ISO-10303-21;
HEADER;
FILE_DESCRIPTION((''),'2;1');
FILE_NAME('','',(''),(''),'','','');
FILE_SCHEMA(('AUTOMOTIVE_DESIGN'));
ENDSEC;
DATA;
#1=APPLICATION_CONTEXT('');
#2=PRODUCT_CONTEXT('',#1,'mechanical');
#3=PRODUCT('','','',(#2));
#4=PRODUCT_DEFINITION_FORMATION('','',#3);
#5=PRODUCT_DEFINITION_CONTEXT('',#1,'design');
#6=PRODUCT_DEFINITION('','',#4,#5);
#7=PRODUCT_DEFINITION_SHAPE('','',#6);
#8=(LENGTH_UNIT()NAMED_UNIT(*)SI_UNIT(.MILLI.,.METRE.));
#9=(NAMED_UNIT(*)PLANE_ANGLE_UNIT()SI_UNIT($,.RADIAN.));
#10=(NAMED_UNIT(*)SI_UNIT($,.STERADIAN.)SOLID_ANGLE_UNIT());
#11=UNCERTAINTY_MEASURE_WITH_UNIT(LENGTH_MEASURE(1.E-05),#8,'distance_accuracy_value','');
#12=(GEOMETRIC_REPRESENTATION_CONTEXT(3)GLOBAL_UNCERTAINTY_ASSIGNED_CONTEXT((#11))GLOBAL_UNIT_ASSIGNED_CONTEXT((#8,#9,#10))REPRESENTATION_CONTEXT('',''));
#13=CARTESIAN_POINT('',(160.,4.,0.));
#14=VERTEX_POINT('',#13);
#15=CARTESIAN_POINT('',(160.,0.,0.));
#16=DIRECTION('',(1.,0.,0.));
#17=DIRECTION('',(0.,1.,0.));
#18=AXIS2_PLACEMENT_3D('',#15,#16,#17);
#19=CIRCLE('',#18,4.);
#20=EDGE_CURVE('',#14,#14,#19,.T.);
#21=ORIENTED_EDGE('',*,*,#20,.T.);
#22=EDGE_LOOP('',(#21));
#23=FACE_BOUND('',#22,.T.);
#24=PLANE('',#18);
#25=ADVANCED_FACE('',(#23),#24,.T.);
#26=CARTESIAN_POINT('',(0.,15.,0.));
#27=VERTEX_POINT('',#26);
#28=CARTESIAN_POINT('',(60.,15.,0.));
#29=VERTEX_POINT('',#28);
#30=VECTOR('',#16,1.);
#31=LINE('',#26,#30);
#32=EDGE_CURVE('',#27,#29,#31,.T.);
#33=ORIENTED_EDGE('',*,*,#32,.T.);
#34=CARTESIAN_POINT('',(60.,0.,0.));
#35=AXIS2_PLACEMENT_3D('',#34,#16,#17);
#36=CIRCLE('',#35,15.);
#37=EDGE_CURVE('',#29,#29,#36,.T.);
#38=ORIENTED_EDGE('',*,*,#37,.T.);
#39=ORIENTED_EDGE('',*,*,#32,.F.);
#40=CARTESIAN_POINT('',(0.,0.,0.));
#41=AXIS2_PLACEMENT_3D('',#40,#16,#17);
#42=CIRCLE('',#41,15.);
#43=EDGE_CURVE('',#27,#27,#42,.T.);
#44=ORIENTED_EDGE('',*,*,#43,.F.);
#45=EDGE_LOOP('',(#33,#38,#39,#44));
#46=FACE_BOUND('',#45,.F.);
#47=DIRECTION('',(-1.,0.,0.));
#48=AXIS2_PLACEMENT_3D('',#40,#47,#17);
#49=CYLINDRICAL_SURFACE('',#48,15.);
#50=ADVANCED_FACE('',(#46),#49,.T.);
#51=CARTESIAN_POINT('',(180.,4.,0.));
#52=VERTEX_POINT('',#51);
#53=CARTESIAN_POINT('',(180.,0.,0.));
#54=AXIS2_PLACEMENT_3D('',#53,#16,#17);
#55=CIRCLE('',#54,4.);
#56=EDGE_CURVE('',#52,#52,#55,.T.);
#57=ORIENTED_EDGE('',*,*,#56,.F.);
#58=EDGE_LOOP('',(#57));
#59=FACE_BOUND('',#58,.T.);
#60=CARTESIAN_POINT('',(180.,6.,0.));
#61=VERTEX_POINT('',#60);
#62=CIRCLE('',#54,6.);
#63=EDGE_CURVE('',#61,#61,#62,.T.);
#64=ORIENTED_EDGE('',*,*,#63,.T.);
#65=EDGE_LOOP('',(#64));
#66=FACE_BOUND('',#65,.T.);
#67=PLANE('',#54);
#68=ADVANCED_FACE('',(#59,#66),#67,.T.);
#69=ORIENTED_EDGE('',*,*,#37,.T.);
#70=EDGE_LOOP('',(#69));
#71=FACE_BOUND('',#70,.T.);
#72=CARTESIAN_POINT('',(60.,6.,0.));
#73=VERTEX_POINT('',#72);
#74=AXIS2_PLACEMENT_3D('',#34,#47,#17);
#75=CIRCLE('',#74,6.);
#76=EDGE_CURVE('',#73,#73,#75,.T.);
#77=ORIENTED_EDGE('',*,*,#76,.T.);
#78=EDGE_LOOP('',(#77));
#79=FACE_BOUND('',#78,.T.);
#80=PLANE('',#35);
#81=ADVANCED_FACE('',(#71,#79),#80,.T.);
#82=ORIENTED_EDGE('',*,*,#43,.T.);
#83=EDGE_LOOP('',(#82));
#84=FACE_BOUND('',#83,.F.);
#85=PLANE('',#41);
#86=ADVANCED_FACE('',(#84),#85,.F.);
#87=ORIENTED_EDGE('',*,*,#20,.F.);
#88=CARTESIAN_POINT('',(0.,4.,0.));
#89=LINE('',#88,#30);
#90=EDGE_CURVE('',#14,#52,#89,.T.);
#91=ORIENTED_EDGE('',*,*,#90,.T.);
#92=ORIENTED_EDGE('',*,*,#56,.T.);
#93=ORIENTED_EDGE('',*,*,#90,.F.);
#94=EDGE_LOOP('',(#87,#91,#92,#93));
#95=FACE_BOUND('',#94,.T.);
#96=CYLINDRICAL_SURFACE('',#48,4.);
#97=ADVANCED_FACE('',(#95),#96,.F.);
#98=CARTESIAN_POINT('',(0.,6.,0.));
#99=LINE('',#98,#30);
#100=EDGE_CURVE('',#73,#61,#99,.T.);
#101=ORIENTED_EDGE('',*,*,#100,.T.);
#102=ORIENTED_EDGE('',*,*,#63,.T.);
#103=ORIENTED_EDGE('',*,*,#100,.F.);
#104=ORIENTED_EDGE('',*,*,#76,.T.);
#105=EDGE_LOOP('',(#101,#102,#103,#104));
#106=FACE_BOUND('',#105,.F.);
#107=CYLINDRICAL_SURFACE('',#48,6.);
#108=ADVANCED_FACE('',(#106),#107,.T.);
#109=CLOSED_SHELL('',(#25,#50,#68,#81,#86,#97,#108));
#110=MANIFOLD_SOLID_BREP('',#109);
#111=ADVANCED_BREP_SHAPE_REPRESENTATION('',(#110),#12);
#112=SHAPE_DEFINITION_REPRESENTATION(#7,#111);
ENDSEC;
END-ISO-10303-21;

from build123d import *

# Parameters (mm, degrees)
F0_R     = 15
F0_R_2   = 6
F0_R_3   = 4
F1_DEPTH = 60
F2_DEPTH = 180
F3_DEPTH = 160


with BuildPart() as f1:
    # F0 (on Right) → F1 (new body)
    with BuildSketch(Plane.YZ):
        Circle(F0_R)
        Circle(F0_R_2, mode=Mode.SUBTRACT)
        Circle(F0_R_2)
        Circle(F0_R_3, mode=Mode.SUBTRACT)
        Circle(F0_R_3)
    extrude(amount=F1_DEPTH)

    # F0 (on Right) → F2 (join)
    with BuildSketch(Plane.YZ):
        Circle(F0_R_2)
        Circle(F0_R_3, mode=Mode.SUBTRACT)
    extrude(amount=F2_DEPTH)

    # F0 (on Right) → F3 (join)
    with BuildSketch(Plane.YZ):
        Circle(F0_R_3)
    extrude(amount=F3_DEPTH)


solid = f1.part
